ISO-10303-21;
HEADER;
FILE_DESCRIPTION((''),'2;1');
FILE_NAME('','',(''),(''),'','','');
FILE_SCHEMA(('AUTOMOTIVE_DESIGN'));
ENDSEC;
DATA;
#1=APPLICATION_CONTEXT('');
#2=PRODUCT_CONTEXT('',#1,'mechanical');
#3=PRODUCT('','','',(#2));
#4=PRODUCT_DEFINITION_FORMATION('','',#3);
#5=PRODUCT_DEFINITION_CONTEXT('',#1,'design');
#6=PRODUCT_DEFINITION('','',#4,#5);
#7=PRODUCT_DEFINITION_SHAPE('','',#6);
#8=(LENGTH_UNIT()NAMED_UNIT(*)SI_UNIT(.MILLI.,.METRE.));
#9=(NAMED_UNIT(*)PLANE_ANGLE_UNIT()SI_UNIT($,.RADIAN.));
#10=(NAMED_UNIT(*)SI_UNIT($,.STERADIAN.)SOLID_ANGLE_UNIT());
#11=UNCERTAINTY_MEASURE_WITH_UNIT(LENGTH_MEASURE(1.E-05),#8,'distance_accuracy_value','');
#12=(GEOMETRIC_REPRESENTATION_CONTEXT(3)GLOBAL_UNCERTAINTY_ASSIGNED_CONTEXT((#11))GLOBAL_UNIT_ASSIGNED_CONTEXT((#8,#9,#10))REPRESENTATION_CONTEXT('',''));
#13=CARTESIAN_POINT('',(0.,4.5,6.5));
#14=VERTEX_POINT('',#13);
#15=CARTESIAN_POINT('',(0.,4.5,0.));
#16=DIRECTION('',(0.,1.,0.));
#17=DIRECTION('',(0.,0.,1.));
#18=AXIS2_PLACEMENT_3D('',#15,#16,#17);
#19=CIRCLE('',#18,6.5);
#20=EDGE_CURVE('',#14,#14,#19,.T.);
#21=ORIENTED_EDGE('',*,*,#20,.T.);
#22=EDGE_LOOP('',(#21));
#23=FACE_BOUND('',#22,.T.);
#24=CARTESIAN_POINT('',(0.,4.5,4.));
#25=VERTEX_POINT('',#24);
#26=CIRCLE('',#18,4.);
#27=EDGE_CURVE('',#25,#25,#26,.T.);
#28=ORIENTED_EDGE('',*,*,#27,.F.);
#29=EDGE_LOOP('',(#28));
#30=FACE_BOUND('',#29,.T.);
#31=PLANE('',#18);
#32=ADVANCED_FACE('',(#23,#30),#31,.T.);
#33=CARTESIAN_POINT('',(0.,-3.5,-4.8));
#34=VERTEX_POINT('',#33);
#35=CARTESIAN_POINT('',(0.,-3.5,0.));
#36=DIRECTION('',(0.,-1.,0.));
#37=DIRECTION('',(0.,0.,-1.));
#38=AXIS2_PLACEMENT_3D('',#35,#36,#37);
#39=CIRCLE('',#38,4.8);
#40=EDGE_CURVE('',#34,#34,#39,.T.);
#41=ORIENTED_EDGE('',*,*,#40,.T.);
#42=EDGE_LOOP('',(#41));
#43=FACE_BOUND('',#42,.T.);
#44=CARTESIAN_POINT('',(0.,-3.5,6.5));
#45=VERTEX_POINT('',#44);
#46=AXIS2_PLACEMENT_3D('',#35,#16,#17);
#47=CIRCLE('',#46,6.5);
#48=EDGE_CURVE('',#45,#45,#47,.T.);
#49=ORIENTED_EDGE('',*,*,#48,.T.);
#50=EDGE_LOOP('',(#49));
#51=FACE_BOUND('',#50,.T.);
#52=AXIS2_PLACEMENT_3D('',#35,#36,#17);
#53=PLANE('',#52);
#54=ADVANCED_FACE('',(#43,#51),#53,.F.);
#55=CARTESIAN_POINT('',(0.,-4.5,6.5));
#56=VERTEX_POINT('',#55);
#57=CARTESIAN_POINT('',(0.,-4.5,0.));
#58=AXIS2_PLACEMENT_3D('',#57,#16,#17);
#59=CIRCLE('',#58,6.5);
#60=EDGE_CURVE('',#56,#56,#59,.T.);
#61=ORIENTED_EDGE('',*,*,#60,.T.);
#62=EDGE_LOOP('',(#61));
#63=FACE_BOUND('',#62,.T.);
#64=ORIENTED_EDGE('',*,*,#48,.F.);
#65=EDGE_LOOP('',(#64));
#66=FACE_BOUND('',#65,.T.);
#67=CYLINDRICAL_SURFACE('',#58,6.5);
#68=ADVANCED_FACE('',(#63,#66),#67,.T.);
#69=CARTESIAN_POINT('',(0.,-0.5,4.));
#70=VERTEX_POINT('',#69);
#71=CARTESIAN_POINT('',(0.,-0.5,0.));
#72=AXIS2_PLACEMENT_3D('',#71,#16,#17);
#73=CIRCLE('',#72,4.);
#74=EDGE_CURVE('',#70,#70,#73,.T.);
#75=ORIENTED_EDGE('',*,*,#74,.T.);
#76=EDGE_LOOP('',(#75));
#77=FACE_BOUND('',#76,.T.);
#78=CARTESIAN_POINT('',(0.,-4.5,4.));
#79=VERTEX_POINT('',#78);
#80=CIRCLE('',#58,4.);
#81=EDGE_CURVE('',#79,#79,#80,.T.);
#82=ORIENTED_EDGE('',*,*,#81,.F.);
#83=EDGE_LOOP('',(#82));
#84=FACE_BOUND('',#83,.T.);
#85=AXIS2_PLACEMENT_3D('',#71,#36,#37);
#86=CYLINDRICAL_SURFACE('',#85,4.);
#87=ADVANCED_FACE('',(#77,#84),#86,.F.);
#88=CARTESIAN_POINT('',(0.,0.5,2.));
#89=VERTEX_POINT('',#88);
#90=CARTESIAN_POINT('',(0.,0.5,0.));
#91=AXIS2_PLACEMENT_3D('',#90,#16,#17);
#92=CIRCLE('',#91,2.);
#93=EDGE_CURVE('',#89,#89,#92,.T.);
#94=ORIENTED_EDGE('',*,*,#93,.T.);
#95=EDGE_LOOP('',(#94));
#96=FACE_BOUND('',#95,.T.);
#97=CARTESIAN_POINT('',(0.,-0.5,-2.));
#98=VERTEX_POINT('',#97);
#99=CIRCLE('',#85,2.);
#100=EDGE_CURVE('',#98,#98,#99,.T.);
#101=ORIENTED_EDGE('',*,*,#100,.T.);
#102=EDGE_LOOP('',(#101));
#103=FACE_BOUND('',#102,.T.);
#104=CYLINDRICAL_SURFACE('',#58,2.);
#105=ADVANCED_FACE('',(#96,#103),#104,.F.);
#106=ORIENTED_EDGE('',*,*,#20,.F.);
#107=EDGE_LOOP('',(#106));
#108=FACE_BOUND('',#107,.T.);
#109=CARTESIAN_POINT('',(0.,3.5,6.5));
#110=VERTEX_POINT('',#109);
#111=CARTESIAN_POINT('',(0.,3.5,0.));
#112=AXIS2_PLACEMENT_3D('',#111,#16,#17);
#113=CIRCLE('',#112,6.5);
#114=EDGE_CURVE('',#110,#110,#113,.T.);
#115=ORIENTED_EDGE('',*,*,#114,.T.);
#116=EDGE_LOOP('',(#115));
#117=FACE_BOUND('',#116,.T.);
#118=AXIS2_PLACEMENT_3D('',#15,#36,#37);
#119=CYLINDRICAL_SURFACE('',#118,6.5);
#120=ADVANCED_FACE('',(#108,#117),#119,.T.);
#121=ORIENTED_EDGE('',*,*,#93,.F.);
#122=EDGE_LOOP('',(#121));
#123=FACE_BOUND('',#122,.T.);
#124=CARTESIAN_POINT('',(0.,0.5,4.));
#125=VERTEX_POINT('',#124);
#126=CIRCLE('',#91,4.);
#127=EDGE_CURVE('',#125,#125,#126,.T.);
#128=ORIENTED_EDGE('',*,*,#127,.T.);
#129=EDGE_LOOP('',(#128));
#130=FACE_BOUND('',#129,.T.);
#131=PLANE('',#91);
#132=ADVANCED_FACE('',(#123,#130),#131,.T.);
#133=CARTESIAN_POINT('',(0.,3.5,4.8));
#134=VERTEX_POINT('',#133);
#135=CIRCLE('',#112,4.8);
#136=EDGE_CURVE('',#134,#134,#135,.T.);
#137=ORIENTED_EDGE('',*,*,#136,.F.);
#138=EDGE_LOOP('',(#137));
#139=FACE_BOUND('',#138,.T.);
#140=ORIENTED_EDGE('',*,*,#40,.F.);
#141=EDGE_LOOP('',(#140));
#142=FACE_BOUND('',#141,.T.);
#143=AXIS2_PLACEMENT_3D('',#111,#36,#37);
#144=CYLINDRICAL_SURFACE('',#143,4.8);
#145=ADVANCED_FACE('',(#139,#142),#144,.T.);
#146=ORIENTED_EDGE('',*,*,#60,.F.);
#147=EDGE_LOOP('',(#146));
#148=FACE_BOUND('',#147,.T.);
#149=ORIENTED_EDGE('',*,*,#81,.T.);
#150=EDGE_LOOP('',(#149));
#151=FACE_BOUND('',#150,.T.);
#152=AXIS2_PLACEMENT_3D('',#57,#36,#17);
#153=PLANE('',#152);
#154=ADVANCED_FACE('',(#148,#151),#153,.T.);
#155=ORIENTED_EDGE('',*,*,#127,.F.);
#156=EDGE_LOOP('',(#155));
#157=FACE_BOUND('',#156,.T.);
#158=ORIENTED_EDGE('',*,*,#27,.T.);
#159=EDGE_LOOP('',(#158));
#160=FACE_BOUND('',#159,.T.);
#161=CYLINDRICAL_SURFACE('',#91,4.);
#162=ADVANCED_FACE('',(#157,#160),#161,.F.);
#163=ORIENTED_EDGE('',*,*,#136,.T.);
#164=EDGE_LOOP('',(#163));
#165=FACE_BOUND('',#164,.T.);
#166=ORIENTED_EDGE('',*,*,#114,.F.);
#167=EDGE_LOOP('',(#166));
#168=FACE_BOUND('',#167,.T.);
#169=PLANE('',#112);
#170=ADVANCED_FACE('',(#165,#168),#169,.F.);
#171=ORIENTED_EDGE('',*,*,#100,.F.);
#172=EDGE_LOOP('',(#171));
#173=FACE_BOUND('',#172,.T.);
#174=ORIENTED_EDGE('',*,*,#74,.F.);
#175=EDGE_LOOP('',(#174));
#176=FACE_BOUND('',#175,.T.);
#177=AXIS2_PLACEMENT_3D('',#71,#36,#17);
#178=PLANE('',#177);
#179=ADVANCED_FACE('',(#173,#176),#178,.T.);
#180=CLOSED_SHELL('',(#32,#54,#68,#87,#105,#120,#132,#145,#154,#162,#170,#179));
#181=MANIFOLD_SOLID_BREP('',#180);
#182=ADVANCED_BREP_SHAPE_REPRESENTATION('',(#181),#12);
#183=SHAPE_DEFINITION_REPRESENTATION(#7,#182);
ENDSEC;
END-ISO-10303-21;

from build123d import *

# Parameters (mm, degrees)
SKETCH2_R           = 4.8
BOSS_EXTRUDE1_DEPTH = 3.5
SKETCH3_R           = 6.5
BOSS_EXTRUDE2_DEPTH = 1
SKETCH4_R           = 4
CUT_EXTRUDE1_DEPTH  = 4
SKETCH5_R           = 2
CUT_EXTRUDE2_DEPTH  = 6


with BuildPart() as part:
    # Sketch2 → Boss-Extrude1 (new body, symmetric)
    with BuildSketch(Plane(origin=(0, 0, 0), x_dir=(1, 0, 0), z_dir=(0, 1, 0))):
        Circle(SKETCH2_R)
    extrude(amount=BOSS_EXTRUDE1_DEPTH, both=True)

    # Sketch3 → Boss-Extrude2 (add)
    with BuildSketch(Plane(origin=(0, 3.5, 0), x_dir=(1, 0, 0), z_dir=(0, 1, 0))):
        Circle(SKETCH3_R)
    boss_extrude2 = extrude(amount=BOSS_EXTRUDE2_DEPTH)

    # Sketch4 → Cut-Extrude1 (cut)
    with BuildSketch(Plane(origin=(0, 4.5, 0), x_dir=(1, 0, 0), z_dir=(0, 1, 0))):
        Circle(SKETCH4_R)
    cut_extrude1 = extrude(amount=-CUT_EXTRUDE1_DEPTH, mode=Mode.SUBTRACT)

    # Mirror1: Boss-Extrude2, Cut-Extrude1 across plane
    add(boss_extrude2.mirror(Plane.ZX))
    add(cut_extrude1.mirror(Plane.ZX), mode=Mode.SUBTRACT)

    # Sketch5 → Cut-Extrude2 (cut, through all)
    with BuildSketch(Plane(origin=(0, 0.5, 0), x_dir=(1, 0, 0), z_dir=(0, 1, 0))):
        Circle(SKETCH5_R)
    extrude(amount=-CUT_EXTRUDE2_DEPTH, mode=Mode.SUBTRACT)


solid = part.part
